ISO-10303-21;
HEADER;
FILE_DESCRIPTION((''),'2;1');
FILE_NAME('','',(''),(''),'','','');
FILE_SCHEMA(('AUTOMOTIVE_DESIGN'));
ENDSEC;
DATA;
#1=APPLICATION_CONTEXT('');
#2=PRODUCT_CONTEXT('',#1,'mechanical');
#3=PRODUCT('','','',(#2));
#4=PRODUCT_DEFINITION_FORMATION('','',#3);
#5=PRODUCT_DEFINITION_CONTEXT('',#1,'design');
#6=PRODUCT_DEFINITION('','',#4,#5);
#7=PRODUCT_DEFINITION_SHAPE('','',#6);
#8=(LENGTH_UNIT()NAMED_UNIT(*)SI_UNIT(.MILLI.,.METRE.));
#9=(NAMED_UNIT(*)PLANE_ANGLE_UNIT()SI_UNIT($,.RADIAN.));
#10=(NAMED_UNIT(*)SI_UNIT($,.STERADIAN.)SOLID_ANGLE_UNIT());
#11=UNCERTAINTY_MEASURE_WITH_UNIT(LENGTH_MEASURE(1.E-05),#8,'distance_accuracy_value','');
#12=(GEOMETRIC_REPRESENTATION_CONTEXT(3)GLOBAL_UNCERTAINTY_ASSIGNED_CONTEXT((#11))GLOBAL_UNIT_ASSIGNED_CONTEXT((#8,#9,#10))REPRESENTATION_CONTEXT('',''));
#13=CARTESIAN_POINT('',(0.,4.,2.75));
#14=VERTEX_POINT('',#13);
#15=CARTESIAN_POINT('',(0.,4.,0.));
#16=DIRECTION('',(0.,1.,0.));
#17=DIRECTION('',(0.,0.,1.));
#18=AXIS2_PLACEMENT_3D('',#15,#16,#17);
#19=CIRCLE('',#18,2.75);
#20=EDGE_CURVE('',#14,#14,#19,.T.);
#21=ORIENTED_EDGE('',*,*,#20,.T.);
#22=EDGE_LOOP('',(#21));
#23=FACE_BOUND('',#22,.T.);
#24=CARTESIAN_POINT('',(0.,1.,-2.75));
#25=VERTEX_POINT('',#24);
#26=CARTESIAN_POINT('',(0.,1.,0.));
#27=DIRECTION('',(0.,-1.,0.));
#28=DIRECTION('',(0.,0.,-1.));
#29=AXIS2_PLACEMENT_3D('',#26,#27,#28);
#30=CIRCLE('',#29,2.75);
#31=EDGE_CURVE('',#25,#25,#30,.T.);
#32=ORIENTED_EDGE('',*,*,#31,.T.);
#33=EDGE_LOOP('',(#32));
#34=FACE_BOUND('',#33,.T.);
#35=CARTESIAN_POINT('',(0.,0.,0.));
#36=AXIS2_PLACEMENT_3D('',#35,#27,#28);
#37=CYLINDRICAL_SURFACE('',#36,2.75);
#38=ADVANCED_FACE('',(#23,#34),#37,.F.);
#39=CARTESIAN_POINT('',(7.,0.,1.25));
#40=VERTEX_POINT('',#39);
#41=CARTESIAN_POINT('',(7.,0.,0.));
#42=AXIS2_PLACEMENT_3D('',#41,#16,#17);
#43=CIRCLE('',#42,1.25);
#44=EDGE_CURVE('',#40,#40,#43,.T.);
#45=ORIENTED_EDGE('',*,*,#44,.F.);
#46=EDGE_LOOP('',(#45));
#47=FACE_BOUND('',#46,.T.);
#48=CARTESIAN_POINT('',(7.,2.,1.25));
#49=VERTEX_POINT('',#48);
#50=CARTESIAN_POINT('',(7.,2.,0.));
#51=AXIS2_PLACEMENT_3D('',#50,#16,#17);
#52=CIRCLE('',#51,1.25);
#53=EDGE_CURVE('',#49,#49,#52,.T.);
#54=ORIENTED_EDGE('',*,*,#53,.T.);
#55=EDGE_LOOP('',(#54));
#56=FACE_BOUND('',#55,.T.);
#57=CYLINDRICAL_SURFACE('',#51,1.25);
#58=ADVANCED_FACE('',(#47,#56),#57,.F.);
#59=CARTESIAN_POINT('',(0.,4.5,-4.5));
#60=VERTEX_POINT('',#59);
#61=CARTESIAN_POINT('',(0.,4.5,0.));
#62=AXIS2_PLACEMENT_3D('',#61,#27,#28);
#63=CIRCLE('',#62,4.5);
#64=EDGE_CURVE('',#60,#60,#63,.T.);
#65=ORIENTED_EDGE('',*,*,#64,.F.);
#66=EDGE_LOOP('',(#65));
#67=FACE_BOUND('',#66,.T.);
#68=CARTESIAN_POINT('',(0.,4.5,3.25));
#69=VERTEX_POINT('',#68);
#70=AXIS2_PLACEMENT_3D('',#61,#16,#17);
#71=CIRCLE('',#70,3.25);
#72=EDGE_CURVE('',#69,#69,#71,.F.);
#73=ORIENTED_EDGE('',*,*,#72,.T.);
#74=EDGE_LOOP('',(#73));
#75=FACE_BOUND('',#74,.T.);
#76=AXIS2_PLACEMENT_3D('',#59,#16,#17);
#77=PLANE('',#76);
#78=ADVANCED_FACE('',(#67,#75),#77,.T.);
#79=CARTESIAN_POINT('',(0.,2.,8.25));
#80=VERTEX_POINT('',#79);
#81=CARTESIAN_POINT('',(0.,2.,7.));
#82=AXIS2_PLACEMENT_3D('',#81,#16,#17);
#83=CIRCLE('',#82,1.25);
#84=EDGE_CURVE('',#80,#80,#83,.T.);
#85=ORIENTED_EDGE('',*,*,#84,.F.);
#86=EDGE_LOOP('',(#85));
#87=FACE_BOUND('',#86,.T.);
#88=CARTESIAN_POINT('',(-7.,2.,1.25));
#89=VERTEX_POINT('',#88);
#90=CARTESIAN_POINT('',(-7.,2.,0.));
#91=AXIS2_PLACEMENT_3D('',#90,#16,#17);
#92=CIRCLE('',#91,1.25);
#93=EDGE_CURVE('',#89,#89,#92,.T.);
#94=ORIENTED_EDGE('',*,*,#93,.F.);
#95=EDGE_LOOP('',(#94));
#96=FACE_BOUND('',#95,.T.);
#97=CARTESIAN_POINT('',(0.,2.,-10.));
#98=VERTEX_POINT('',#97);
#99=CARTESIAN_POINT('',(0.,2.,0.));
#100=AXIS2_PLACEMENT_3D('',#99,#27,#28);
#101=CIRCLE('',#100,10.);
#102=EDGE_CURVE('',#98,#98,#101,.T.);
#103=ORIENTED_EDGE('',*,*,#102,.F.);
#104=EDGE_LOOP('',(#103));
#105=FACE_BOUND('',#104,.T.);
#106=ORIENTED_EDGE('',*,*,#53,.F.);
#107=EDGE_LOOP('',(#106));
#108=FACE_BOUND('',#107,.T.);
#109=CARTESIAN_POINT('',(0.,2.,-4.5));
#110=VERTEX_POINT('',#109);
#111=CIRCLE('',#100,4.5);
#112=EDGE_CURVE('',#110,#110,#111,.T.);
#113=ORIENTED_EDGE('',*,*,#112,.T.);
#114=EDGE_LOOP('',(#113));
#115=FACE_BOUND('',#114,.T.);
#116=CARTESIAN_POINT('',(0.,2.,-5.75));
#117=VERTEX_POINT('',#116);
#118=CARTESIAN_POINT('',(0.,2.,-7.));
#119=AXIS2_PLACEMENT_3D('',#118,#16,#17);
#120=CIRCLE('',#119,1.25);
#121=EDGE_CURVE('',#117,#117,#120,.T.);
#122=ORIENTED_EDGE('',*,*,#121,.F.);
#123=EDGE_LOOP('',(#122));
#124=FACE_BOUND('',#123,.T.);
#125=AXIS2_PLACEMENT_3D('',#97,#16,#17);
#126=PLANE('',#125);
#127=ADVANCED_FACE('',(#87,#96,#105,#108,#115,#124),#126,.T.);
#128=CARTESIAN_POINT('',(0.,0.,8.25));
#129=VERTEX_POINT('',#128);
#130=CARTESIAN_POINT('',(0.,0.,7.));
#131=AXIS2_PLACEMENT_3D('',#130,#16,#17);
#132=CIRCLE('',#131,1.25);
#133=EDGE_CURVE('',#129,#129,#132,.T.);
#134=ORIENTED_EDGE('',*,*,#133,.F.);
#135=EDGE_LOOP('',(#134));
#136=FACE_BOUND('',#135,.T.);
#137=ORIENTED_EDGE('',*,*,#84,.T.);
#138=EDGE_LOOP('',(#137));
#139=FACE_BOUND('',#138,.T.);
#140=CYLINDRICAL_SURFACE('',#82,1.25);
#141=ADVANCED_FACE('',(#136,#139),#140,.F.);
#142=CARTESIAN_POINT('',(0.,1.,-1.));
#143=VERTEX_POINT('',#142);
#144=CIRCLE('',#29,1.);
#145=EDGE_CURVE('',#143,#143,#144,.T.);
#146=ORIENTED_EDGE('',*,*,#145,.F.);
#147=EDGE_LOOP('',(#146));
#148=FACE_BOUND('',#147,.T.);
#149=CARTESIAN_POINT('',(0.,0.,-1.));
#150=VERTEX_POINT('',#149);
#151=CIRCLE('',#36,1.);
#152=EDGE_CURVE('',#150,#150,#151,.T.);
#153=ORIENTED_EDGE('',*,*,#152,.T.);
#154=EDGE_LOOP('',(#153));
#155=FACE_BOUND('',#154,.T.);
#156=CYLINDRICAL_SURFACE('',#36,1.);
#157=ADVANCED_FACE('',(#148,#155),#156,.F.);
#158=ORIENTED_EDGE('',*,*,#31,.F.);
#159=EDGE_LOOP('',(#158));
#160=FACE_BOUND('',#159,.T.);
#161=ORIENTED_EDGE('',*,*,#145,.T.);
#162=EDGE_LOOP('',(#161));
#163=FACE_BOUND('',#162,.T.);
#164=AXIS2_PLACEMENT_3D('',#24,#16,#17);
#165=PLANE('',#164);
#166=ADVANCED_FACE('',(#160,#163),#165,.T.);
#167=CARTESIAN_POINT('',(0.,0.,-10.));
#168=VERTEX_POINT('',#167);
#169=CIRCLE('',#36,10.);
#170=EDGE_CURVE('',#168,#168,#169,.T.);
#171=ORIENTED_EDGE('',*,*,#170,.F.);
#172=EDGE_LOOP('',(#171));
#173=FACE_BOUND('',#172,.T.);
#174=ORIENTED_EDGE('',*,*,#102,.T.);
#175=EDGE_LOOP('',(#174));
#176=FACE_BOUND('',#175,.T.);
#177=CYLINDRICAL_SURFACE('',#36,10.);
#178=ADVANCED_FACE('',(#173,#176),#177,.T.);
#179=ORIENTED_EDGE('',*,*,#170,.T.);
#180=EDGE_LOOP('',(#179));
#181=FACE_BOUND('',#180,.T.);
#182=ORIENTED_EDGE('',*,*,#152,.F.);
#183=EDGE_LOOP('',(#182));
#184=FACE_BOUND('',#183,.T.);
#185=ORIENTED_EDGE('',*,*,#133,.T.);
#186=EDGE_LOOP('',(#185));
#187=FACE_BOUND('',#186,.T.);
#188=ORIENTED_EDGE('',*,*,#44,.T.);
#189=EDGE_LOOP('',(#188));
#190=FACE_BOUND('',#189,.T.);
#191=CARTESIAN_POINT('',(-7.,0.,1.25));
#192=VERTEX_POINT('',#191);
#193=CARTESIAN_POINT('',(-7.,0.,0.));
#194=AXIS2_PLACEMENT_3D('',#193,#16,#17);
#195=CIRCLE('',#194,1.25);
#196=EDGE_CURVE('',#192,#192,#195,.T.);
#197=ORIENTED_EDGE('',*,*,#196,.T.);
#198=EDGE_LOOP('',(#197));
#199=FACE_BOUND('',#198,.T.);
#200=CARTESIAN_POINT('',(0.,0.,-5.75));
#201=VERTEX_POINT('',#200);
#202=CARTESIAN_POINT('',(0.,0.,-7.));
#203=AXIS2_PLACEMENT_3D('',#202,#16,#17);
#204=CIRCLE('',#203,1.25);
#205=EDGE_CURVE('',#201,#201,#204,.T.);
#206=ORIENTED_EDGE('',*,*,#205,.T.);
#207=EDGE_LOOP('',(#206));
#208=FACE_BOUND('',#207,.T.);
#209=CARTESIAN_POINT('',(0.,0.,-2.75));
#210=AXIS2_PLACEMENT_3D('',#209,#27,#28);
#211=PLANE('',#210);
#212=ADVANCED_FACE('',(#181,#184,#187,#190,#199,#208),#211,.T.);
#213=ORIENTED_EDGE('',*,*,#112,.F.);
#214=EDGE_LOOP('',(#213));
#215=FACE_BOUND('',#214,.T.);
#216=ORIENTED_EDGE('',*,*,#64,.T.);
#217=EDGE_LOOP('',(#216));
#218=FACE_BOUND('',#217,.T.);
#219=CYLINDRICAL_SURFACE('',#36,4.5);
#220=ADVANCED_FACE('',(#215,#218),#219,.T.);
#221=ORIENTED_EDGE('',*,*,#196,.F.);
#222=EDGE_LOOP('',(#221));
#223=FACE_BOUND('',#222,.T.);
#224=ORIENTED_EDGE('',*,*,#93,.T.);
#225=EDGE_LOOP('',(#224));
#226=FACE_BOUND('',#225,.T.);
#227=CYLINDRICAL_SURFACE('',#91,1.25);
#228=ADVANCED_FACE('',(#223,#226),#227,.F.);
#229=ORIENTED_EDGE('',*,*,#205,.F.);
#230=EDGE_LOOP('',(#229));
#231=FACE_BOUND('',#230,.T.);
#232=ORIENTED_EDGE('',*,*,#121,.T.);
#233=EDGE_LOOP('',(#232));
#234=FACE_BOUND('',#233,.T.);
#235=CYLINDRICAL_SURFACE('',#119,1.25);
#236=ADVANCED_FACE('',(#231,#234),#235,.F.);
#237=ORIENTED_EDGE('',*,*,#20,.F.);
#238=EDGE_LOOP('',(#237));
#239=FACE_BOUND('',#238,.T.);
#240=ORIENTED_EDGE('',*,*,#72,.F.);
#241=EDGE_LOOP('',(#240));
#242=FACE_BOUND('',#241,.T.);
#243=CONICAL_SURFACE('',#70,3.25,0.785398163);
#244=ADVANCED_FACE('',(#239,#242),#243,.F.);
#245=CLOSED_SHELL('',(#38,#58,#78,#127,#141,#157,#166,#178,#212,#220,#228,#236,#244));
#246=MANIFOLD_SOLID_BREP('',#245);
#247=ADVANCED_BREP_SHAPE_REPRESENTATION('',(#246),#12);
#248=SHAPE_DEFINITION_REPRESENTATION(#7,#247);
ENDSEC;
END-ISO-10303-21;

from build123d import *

# Parameters (mm, degrees)
HOLE_WIZARD_M3_1_D = 2.5
CHAMFER_1_SIZE     = 0.5


with BuildPart() as part:
    # 草图1 → 旋转1 (revolve)
    with BuildSketch(Plane(origin=(0, 0, 0), x_dir=(0, 0, -1), z_dir=(1, 0, 0))):
        Polygon((2.75, 0), (10, 0), (10, 2), (4.5, 2), (4.5, 4.5), (2.75, 4.5), (2.75, 1), (1, 1), (1, 0), align=None)
    revolve(axis=Axis((0, 0, 0), (0, 1, 0)))

    # M3 螺纹孔的螺纹孔钻头1 (through all)
    with Locations(Plane(origin=(0, 2, 0), x_dir=(1, 0, 0), z_dir=(0, 1, 0))):
        with Locations((0, -7), (0, 7), (-7, 0), (7, 0)):
            Hole(HOLE_WIZARD_M3_1_D / 2)

    # 倒角1
    chamfer_1_edges = [part.edges().sort_by_distance(p)[0] for p in [
        (0, 4.5, 2.75),
    ]]
    chamfer(chamfer_1_edges, length=CHAMFER_1_SIZE)


solid = part.part
